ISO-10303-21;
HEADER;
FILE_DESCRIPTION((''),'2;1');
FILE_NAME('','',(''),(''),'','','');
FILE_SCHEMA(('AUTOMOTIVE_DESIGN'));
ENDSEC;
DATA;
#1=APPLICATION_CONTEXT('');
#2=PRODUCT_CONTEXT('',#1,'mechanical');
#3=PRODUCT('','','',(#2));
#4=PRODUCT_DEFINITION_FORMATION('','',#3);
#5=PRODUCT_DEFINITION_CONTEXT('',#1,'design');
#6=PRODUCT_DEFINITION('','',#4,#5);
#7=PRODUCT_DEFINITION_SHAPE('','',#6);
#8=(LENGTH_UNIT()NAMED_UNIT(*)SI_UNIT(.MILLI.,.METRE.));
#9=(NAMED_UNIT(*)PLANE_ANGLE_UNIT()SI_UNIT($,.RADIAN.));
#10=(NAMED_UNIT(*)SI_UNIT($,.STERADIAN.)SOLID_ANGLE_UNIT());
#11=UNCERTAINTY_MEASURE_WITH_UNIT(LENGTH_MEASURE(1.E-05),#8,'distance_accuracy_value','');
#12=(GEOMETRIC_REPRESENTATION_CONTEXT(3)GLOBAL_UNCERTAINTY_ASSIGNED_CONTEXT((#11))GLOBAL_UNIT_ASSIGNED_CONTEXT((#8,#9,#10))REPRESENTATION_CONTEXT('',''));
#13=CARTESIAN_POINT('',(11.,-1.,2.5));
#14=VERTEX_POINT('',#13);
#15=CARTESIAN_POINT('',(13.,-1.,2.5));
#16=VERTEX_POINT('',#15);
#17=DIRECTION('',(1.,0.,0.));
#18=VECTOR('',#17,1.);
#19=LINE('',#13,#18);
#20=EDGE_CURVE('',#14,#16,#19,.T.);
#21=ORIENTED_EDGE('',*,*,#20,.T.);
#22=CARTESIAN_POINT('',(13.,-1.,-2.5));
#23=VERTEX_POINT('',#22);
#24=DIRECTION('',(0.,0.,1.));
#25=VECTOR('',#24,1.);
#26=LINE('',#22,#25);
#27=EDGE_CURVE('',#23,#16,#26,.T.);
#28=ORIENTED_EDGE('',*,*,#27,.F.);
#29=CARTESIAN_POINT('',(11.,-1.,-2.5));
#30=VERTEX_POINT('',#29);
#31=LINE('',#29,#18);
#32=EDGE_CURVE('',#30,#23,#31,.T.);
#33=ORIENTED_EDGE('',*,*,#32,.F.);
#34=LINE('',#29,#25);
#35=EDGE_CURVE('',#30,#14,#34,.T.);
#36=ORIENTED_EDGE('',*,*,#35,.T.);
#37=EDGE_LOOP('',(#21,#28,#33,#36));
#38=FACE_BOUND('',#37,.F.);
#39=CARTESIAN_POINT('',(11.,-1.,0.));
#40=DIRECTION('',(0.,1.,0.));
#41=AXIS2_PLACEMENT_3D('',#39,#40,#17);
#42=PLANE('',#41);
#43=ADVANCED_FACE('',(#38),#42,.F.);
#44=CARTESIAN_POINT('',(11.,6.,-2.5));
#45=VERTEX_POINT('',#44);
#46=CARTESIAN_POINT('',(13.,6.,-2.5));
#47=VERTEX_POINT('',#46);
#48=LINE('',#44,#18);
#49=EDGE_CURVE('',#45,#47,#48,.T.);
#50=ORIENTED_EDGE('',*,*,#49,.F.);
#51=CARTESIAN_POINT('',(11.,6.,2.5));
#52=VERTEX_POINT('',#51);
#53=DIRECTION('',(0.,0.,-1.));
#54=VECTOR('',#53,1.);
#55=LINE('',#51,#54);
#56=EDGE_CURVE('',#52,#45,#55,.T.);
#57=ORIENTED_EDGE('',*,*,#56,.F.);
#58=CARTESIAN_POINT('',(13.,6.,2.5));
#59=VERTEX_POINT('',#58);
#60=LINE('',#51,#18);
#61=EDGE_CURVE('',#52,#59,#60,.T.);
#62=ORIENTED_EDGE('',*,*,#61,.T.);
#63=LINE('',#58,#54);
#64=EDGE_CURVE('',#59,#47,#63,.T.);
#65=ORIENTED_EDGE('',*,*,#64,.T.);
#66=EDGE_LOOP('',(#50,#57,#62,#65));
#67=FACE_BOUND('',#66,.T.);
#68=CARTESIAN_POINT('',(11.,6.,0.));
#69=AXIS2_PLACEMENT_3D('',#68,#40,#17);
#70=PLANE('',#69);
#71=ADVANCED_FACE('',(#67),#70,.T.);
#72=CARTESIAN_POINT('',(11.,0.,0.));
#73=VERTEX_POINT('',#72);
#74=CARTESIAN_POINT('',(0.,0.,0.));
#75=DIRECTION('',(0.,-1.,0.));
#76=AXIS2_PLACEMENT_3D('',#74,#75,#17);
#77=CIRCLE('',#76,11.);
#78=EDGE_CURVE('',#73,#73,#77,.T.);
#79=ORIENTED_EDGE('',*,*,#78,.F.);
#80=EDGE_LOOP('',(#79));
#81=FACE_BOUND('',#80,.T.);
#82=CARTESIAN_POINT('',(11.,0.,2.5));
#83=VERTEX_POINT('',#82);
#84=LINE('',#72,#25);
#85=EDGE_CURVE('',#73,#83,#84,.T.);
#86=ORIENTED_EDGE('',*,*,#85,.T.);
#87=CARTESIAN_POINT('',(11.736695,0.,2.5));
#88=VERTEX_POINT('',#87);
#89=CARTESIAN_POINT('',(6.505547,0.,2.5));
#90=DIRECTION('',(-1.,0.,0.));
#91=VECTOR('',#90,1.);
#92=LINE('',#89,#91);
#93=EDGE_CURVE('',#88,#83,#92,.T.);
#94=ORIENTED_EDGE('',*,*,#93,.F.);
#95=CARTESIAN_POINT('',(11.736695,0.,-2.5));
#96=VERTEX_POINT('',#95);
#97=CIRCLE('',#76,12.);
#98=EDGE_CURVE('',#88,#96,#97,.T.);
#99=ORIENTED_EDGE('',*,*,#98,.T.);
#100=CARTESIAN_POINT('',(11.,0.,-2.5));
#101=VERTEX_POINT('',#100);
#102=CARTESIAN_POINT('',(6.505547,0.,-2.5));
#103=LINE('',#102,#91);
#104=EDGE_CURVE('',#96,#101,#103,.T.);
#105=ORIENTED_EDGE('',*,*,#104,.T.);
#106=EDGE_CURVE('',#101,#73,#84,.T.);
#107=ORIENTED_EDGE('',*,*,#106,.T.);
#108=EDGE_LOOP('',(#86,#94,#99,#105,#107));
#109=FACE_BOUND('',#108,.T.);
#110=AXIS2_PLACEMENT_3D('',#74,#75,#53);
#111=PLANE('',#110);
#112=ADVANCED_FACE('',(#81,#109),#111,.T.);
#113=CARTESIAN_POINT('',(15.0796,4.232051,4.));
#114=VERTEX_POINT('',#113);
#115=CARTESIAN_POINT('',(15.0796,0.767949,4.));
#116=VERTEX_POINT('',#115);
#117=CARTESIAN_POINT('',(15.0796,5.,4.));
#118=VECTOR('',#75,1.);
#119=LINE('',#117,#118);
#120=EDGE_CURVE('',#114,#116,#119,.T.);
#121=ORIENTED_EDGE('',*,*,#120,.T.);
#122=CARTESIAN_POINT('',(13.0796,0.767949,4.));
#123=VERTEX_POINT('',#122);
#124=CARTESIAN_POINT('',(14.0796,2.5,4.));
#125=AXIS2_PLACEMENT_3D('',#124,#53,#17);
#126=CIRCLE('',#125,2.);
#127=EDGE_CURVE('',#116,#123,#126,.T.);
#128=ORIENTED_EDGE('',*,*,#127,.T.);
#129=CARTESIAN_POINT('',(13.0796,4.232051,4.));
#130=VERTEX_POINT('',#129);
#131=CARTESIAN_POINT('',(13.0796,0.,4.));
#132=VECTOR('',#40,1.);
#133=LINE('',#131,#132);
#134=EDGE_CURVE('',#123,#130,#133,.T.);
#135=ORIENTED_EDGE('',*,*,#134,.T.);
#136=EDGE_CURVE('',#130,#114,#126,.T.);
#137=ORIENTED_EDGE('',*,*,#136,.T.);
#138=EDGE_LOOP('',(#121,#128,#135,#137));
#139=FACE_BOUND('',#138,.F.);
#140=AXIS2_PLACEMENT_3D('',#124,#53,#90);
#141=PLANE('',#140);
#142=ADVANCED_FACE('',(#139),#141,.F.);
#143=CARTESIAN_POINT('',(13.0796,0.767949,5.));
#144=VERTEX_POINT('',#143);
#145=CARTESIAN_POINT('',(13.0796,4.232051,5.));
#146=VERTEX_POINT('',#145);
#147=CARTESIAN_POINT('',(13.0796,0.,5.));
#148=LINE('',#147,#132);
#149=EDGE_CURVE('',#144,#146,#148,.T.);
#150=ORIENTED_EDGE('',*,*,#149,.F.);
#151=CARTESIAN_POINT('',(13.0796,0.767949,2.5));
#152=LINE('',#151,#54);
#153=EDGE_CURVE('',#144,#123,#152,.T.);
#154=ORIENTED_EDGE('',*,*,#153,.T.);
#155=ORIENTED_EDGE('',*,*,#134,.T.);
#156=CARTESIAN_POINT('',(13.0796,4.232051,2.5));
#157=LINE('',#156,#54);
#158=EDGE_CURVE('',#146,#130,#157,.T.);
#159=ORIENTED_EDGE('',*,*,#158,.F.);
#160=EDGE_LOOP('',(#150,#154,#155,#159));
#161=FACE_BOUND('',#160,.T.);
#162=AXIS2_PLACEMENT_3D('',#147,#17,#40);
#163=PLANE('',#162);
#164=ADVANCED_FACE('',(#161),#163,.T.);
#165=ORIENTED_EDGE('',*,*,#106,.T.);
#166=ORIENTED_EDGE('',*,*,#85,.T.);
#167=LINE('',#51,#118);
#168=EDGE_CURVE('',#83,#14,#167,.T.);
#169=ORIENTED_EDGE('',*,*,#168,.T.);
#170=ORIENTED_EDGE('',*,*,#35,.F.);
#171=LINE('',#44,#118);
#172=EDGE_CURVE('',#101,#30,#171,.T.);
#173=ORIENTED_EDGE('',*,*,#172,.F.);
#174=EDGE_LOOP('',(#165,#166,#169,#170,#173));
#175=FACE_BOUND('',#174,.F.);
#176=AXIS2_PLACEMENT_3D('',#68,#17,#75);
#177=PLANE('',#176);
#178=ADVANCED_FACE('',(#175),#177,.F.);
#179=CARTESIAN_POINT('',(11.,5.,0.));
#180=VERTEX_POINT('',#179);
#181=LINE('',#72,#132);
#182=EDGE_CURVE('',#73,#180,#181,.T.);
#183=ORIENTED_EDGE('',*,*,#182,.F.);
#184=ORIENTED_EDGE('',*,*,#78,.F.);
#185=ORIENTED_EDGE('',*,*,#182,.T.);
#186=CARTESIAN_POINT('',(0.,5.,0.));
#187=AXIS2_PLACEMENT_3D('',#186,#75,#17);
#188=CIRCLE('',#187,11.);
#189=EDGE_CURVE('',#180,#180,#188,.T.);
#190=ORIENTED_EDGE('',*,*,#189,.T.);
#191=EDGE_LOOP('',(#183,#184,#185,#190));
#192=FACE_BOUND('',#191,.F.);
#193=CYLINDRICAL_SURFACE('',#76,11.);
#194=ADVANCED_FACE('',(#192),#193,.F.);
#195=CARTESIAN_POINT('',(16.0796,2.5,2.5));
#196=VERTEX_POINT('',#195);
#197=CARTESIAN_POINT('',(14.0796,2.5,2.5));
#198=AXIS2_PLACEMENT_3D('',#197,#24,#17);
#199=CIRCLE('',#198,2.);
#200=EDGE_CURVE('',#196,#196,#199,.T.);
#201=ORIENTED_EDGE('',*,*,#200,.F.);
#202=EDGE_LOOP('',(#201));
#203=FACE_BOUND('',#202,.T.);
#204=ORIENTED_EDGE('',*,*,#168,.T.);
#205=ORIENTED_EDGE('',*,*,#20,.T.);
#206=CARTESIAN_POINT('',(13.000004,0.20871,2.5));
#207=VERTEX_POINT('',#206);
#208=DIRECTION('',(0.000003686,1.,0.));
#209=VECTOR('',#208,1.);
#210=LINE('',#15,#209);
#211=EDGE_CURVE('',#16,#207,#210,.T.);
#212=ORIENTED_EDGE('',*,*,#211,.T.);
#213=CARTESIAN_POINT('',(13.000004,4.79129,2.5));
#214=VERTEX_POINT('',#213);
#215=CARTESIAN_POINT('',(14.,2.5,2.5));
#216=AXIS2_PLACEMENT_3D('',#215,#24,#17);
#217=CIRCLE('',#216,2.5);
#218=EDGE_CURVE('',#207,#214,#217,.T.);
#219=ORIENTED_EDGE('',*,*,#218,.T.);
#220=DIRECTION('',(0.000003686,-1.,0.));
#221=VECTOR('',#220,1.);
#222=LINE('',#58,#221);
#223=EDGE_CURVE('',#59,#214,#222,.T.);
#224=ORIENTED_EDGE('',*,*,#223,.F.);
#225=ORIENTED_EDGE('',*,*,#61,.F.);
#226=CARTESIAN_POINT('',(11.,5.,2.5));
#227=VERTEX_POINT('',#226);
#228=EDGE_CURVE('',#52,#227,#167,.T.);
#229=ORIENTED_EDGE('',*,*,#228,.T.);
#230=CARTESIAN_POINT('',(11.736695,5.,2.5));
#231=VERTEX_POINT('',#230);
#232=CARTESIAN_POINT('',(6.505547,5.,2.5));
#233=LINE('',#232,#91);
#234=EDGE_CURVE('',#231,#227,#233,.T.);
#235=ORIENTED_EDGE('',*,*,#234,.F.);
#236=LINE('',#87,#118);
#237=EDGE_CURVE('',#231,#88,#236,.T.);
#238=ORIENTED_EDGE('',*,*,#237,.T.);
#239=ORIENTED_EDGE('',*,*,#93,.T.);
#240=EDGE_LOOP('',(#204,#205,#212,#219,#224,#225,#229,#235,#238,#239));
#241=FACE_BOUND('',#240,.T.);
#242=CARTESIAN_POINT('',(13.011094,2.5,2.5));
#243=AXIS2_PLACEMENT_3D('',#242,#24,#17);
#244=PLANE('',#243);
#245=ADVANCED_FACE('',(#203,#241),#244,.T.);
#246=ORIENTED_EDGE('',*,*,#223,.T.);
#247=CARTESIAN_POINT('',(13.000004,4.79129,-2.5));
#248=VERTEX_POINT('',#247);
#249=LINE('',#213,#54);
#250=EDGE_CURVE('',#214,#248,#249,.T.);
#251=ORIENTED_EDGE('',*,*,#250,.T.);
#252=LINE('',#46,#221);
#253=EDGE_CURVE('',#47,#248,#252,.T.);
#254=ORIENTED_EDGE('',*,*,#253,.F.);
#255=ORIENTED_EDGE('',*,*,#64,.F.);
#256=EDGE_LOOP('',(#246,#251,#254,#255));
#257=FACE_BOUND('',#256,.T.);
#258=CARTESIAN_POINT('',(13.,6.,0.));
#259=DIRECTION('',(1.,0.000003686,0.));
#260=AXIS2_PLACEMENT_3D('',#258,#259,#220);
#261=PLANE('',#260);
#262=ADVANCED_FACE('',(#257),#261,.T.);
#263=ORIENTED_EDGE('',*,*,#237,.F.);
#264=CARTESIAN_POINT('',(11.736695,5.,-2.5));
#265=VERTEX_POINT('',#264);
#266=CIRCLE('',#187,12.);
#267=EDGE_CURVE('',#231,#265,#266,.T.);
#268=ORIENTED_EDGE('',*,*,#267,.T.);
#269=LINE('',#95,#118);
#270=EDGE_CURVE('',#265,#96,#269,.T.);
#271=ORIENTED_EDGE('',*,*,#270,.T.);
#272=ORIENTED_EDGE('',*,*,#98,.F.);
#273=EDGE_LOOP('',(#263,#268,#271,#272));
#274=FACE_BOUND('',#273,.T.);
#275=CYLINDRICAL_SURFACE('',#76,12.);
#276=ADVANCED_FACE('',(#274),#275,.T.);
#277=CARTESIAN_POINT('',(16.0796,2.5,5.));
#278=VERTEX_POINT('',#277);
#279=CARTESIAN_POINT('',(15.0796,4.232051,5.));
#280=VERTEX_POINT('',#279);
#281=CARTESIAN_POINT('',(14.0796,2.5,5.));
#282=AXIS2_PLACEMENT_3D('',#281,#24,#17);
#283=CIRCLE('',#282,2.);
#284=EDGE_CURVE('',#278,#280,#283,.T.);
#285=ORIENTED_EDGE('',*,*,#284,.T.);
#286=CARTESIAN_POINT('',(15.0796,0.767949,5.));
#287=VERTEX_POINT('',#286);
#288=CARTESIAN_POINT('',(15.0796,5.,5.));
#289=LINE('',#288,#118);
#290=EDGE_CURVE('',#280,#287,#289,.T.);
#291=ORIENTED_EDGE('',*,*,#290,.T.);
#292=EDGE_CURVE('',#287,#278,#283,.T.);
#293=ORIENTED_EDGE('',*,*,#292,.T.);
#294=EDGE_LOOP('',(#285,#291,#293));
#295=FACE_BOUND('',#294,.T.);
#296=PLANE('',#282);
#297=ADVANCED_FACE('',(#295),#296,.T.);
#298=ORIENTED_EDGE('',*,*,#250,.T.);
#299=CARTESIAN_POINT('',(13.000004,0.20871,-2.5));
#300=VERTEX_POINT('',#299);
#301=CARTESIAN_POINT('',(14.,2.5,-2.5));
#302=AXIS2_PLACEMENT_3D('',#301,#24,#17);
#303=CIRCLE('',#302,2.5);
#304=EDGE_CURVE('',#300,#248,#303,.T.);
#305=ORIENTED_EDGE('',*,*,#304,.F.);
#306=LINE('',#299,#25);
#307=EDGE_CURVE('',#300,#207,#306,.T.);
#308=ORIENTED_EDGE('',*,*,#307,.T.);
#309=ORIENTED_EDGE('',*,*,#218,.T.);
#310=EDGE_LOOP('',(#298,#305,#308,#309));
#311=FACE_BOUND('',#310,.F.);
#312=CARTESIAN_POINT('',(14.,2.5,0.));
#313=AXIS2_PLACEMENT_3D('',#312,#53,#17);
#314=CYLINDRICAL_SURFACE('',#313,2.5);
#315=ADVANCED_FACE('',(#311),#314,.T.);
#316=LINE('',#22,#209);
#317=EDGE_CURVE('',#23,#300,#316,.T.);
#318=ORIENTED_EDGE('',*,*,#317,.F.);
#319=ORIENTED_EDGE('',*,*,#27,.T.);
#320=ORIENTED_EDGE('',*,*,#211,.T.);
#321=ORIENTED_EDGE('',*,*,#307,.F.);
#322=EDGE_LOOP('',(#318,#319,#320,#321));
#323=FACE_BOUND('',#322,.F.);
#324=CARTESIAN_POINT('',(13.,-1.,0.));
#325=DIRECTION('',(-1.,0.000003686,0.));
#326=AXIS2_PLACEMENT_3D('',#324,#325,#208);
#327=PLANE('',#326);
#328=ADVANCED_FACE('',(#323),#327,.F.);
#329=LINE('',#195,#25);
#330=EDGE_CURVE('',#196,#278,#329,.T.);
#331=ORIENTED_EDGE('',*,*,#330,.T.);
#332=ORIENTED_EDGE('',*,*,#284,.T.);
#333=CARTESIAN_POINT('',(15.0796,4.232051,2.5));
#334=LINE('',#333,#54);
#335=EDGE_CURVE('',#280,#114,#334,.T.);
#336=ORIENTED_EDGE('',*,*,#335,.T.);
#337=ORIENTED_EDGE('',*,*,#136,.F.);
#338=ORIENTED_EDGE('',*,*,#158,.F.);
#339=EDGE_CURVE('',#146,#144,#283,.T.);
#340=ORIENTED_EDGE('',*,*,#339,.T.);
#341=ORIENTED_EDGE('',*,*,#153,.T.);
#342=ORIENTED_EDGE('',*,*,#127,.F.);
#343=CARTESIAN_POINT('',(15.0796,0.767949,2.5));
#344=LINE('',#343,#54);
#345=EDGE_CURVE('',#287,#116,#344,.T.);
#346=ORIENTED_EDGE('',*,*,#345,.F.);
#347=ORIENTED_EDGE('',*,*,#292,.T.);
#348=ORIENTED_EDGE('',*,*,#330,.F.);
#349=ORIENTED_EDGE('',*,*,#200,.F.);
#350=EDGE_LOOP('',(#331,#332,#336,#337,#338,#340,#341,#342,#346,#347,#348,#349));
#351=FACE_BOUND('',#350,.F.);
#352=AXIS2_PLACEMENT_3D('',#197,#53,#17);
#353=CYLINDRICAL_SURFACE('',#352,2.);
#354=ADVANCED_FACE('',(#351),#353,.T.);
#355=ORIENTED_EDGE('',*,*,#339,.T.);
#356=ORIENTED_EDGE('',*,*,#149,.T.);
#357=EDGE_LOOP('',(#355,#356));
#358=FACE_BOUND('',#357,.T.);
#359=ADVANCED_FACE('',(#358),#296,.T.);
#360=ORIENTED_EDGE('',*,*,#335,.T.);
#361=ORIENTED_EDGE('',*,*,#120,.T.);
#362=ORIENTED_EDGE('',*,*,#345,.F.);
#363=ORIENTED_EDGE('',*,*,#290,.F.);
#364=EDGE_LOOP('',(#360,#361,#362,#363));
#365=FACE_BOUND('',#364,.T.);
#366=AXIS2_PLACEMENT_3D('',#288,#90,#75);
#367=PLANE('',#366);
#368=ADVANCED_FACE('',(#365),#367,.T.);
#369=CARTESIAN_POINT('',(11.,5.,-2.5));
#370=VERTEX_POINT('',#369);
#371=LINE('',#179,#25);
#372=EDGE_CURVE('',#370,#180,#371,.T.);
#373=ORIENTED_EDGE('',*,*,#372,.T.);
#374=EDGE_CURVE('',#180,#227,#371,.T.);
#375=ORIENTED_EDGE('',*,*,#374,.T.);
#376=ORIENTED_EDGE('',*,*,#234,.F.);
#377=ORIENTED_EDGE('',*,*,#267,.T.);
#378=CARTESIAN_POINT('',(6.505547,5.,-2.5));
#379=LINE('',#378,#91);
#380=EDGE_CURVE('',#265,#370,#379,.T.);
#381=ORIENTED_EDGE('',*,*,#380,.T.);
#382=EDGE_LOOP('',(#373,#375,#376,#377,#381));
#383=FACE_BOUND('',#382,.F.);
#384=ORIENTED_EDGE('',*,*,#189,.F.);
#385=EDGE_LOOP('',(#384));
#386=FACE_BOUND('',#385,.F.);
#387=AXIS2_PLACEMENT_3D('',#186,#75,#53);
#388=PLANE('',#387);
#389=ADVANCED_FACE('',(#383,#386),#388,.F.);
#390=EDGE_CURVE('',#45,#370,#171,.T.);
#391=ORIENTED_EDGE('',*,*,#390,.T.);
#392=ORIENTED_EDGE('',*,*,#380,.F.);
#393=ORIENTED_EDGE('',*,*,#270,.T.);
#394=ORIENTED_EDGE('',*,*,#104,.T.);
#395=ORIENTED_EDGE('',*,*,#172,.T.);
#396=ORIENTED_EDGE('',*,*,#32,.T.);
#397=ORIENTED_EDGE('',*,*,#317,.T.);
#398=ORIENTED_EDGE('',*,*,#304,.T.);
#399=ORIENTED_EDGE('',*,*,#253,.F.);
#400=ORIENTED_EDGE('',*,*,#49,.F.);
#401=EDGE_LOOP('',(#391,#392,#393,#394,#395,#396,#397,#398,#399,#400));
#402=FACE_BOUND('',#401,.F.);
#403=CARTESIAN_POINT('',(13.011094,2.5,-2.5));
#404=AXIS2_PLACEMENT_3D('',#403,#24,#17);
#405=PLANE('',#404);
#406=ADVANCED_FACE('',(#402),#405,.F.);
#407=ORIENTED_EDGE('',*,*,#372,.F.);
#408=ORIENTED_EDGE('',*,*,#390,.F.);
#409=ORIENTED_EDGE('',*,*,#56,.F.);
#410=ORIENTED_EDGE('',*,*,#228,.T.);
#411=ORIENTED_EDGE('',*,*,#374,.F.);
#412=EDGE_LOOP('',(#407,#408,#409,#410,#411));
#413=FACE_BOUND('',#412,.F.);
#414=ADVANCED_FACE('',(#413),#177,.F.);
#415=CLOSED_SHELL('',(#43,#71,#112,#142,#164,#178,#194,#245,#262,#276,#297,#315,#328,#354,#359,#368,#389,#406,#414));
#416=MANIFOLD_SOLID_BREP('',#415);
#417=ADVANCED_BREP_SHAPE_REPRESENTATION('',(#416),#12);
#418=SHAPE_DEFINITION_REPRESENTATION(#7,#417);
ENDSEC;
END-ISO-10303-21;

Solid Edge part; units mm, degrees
sketch "Sketch1" plane through (0, 0, 0) normal (0, -1, 0) x (1, 0, 0)
  circle A0 centre (0, 0) radius 12
  circle A1 centre (0, 0) radius 11
extrude "Protrusion1" add sketch "Sketch1" against normal blind 5
sketch "Sketch2" plane through (0, 0, 0) normal (0, 0, 1) x (1, 0, 0)
  line L0 (11, 6) -> (11, -1)
  line L1 (11, -1) -> (13, -1)
  line L2 (13, -1) -> (13, 0.2087)
  line L3 (13, 6) -> (13, 4.7913)
  line L4 (11, 6) -> (13, 6)
  arc A0 (13, 0.2087) -> (13, 4.7913) centre (14, 2.5) ccw
  dimension "D1" = 2
  dimension "D2" = 1
  dimension "D3" = 3
extrude "Protrusion2" add sketch "Sketch2" along normal mid plane 5
sketch "Sketch3" plane through (13.75, 2.5, 2.5) normal (0, 0, 1) x (1, 0, 0)
  circle A0 centre (0.3296, 0) radius 2
extrude "Protrusion3" add sketch "Sketch3" along normal mid plane 5
sketch "Sketch4" plane through (14.0796, 2.5, 5) normal (0, 0, 1) x (1, 0, 0)
  line L0 (-1, 2.5) -> (1, 2.5)
  line L1 (1, 2.5) -> (1, -2.5)
  line L2 (1, -2.5) -> (-1, -2.5)
  line L3 (-1, -2.5) -> (-1, 2.5)
  dimension "D1" = 5
  dimension "D2" = 2
extrude "ExtrudedCutout_1" cut sketch "Sketch4" against normal blind 1
properties material "Aluminum, 1350"
